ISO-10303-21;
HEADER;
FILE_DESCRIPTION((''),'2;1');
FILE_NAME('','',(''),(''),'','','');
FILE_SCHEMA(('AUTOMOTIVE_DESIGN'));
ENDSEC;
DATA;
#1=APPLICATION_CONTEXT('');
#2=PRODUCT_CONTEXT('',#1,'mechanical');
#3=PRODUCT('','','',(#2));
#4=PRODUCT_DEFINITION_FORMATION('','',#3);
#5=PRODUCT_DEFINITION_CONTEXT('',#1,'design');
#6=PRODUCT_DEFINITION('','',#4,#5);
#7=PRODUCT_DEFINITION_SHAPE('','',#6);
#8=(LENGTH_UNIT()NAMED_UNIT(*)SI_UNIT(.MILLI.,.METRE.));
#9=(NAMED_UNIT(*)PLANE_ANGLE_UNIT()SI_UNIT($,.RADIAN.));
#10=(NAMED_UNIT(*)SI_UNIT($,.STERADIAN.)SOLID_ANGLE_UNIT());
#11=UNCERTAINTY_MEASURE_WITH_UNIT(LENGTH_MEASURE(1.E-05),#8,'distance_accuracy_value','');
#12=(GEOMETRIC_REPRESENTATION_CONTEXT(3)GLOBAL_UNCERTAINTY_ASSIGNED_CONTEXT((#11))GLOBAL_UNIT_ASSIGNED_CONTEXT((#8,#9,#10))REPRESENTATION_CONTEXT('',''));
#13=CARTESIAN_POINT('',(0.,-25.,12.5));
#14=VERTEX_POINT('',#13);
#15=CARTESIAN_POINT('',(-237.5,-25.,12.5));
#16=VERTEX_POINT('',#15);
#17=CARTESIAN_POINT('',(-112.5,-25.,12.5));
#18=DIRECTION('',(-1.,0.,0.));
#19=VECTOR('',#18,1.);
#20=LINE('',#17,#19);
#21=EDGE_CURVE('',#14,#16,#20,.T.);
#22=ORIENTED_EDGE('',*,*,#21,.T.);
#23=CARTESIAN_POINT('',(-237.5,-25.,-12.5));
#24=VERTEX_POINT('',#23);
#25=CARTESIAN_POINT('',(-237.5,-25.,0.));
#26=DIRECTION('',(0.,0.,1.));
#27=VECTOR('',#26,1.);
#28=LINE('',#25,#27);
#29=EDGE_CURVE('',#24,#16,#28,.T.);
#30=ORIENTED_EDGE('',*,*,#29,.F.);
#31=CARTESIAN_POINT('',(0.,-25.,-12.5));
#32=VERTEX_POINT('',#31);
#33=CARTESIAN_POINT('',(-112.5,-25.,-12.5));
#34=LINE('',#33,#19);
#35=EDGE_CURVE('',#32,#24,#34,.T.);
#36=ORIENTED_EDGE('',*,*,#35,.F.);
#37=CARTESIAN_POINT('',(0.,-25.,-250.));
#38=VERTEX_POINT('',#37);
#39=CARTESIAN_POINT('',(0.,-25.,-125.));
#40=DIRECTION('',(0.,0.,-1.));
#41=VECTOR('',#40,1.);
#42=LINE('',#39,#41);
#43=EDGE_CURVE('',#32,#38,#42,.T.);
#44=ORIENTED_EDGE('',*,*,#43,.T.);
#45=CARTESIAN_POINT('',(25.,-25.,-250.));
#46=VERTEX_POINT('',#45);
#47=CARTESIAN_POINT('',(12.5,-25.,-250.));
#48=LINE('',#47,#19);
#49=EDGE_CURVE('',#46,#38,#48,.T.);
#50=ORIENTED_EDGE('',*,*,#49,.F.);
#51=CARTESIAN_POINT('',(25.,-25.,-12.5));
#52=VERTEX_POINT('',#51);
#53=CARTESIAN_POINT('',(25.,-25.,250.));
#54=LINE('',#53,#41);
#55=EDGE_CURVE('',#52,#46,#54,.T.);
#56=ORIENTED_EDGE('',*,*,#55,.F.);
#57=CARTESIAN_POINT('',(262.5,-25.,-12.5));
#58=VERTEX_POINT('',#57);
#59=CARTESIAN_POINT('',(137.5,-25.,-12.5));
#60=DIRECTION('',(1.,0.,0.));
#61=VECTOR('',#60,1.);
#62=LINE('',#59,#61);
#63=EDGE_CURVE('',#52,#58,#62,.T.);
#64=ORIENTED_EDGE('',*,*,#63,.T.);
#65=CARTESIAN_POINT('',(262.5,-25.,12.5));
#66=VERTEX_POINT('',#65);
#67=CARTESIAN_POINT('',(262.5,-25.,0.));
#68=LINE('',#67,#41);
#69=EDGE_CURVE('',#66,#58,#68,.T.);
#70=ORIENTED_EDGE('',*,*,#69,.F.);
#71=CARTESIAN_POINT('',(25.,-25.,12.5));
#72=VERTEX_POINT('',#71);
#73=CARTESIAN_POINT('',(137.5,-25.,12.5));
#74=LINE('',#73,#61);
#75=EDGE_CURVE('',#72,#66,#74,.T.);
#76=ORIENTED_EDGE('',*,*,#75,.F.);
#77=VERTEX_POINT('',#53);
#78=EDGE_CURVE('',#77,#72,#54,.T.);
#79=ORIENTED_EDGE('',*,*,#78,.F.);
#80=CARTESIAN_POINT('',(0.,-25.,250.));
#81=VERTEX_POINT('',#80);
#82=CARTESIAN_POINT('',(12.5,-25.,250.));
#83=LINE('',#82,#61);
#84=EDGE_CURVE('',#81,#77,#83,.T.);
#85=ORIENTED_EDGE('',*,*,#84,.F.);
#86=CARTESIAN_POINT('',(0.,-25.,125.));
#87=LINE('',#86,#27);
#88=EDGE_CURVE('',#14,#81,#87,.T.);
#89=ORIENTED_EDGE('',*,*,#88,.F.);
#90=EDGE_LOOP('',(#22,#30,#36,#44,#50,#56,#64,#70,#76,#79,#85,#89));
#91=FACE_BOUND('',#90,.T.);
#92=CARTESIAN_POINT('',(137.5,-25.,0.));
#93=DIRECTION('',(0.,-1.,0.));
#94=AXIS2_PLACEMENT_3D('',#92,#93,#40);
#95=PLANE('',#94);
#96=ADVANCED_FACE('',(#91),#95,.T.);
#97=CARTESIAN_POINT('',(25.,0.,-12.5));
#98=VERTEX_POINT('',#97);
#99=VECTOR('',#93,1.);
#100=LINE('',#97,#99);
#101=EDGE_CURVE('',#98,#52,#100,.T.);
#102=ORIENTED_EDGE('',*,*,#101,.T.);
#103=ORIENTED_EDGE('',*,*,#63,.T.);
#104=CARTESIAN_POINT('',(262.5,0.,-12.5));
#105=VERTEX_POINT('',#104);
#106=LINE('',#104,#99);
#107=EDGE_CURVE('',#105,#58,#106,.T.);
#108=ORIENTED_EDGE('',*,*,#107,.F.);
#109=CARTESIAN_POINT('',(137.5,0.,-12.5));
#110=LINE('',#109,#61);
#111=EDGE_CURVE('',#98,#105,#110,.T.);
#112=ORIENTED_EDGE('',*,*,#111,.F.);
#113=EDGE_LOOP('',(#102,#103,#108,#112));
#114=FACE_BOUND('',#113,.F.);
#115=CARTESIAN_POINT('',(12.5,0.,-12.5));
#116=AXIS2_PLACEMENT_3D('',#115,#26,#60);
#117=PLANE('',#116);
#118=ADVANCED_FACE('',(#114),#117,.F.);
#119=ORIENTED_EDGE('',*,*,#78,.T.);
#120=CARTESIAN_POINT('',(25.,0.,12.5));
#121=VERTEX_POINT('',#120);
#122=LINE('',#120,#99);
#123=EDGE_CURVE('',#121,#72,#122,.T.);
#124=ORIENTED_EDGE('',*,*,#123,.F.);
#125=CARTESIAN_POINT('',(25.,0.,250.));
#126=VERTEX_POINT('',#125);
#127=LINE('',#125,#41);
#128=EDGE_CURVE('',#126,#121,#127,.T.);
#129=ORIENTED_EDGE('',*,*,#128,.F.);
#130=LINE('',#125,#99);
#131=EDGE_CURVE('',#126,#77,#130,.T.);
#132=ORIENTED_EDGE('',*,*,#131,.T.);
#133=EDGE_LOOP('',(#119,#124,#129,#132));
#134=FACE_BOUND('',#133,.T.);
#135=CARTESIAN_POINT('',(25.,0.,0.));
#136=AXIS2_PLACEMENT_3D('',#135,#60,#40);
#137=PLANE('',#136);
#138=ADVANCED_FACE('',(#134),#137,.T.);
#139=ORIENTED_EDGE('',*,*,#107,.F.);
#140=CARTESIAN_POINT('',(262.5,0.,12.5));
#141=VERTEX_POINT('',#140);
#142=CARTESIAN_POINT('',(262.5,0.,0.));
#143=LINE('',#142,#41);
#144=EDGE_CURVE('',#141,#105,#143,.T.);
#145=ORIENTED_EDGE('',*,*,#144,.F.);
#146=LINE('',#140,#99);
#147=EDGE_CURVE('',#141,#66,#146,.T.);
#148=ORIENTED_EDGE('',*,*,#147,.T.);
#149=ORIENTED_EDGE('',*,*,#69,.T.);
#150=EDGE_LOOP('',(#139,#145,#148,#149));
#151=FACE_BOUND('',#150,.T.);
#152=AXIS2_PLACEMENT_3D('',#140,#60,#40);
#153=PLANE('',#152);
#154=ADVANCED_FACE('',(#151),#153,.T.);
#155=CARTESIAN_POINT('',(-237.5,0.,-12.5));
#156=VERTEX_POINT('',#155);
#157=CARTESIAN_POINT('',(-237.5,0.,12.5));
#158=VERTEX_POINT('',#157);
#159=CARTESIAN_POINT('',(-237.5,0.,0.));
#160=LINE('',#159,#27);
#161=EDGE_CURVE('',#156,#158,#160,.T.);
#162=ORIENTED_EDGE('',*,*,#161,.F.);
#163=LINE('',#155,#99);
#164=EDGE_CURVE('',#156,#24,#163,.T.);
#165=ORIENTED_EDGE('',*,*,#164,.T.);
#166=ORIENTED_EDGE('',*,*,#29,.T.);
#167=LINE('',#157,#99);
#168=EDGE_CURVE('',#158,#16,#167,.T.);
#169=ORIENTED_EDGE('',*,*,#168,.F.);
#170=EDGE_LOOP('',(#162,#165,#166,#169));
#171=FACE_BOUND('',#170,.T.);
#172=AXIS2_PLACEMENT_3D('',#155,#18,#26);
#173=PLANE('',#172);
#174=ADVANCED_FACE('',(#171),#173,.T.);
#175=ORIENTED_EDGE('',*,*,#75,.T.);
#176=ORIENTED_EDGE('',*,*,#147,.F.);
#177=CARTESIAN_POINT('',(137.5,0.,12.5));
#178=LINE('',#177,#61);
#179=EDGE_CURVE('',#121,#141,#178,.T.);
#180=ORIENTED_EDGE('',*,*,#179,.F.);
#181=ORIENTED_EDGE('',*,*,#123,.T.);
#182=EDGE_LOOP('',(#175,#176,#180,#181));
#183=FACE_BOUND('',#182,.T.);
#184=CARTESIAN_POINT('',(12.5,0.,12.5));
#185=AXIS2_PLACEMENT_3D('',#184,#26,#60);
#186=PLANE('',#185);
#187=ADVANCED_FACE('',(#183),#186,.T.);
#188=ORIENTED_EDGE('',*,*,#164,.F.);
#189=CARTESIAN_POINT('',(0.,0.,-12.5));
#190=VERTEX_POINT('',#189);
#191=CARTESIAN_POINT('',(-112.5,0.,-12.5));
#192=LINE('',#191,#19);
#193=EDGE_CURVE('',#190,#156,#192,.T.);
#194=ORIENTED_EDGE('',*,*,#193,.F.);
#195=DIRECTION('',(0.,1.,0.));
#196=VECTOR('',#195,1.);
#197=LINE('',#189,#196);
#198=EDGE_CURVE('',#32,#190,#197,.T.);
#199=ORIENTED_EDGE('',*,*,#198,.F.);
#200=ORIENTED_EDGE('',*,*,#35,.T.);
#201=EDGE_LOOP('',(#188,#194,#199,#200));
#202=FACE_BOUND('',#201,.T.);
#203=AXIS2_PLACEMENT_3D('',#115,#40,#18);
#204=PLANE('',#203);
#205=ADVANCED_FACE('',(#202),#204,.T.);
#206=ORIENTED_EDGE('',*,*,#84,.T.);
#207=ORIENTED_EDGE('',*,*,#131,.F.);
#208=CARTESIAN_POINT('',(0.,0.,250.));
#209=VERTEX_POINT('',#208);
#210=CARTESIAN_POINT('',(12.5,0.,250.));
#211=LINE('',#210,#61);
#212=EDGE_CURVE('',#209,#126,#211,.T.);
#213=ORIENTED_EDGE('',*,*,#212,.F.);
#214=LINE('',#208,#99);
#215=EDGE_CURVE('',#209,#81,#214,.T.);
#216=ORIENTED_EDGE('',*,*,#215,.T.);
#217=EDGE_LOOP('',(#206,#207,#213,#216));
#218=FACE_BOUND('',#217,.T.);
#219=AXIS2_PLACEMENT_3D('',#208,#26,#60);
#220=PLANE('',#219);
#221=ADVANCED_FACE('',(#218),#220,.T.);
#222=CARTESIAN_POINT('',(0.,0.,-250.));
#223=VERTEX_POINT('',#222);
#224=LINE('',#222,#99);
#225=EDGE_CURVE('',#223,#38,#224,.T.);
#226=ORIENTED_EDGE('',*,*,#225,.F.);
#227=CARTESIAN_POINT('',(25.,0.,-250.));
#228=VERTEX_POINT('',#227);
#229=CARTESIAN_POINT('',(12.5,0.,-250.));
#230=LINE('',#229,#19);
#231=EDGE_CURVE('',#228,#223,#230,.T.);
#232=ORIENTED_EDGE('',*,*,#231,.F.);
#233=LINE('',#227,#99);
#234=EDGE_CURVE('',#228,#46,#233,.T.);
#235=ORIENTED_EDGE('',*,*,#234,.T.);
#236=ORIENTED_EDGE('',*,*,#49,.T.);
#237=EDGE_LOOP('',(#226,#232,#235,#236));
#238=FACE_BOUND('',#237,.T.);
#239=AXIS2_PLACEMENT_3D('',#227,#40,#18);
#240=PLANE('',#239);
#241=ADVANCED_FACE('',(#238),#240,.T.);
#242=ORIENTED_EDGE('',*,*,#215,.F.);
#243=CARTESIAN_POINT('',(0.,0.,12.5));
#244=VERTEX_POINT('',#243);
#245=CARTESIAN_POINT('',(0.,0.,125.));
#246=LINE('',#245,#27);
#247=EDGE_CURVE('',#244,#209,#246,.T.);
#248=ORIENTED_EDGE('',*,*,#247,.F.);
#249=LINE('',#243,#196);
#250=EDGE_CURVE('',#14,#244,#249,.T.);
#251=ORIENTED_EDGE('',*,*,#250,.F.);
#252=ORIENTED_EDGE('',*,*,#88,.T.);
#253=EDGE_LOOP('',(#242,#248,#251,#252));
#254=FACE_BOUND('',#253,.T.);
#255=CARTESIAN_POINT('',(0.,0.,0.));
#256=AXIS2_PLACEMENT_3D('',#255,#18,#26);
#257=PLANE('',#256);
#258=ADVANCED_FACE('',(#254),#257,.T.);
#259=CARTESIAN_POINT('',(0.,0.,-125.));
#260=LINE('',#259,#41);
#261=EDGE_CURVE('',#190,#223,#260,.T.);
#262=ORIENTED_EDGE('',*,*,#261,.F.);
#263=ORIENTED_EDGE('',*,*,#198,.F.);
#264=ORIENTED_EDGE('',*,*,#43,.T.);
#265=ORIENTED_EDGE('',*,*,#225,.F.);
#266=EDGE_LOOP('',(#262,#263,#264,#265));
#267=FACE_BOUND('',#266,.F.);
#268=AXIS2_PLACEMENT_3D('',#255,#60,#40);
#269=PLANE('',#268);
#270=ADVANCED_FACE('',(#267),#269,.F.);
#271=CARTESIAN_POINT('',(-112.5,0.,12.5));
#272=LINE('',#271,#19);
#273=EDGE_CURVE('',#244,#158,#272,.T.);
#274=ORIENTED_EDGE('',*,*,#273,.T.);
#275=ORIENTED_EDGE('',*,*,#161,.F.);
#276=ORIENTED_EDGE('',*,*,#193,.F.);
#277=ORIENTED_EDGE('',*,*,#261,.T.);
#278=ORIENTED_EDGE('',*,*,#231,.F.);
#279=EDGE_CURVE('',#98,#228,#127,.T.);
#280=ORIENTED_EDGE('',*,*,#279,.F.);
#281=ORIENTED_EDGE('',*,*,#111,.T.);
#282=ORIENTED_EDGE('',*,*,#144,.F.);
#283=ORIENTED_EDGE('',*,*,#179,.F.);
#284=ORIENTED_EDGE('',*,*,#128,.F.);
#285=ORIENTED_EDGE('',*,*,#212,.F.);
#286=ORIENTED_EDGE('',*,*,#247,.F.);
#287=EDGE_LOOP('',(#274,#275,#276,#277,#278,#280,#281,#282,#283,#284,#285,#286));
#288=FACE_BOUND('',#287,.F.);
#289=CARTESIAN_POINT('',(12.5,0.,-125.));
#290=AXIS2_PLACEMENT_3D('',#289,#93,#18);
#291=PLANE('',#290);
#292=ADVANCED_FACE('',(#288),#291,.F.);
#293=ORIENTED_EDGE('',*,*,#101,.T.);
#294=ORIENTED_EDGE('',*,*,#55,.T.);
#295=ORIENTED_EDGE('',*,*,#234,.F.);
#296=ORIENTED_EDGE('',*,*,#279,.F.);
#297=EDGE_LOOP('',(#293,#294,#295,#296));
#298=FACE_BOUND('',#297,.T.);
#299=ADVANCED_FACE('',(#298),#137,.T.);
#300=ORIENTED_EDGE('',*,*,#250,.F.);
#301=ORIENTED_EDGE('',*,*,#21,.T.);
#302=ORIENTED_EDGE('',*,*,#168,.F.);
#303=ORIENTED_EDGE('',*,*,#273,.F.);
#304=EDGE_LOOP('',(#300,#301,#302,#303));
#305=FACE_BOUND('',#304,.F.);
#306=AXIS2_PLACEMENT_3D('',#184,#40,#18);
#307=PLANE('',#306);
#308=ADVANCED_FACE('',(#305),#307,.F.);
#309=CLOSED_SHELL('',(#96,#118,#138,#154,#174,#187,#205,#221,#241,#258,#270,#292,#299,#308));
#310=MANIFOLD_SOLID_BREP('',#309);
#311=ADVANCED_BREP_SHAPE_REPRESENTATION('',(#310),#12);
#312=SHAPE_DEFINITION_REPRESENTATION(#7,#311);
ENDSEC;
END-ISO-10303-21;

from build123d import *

# Parameters (mm, degrees)
F0_W     = 25
F0_H     = 250
F1_DEPTH = 25
F3_COUNT = 4


with BuildPart() as f1:
    # F0 (on Front) → F1 (new body)
    with BuildSketch(Plane.XZ):
        with Locations((12.5, 125)):
            Rectangle(F0_W, F0_H)
    extrude(amount=F1_DEPTH)


with BuildPart() as f3_1:
    # F3: instance of F1
    add(f1.part.rotate(Axis((12.5, -12.5, 0), (0, -1, 0)), 1 * 360 / F3_COUNT))


with BuildPart() as f3_2:
    # F3: instance of F1
    add(f1.part.rotate(Axis((12.5, -12.5, 0), (0, -1, 0)), 2 * 360 / F3_COUNT))


with BuildPart() as f3_3:
    # F3: instance of F1
    add(f1.part.rotate(Axis((12.5, -12.5, 0), (0, -1, 0)), 3 * 360 / F3_COUNT))


with BuildPart() as f3_2_1:
    add(f3_2.part)

    # F4: union F3_1, F1, F3_3
    add(f3_1.part)
    add(f1.part)
    add(f3_3.part)


solid = f3_2_1.part
